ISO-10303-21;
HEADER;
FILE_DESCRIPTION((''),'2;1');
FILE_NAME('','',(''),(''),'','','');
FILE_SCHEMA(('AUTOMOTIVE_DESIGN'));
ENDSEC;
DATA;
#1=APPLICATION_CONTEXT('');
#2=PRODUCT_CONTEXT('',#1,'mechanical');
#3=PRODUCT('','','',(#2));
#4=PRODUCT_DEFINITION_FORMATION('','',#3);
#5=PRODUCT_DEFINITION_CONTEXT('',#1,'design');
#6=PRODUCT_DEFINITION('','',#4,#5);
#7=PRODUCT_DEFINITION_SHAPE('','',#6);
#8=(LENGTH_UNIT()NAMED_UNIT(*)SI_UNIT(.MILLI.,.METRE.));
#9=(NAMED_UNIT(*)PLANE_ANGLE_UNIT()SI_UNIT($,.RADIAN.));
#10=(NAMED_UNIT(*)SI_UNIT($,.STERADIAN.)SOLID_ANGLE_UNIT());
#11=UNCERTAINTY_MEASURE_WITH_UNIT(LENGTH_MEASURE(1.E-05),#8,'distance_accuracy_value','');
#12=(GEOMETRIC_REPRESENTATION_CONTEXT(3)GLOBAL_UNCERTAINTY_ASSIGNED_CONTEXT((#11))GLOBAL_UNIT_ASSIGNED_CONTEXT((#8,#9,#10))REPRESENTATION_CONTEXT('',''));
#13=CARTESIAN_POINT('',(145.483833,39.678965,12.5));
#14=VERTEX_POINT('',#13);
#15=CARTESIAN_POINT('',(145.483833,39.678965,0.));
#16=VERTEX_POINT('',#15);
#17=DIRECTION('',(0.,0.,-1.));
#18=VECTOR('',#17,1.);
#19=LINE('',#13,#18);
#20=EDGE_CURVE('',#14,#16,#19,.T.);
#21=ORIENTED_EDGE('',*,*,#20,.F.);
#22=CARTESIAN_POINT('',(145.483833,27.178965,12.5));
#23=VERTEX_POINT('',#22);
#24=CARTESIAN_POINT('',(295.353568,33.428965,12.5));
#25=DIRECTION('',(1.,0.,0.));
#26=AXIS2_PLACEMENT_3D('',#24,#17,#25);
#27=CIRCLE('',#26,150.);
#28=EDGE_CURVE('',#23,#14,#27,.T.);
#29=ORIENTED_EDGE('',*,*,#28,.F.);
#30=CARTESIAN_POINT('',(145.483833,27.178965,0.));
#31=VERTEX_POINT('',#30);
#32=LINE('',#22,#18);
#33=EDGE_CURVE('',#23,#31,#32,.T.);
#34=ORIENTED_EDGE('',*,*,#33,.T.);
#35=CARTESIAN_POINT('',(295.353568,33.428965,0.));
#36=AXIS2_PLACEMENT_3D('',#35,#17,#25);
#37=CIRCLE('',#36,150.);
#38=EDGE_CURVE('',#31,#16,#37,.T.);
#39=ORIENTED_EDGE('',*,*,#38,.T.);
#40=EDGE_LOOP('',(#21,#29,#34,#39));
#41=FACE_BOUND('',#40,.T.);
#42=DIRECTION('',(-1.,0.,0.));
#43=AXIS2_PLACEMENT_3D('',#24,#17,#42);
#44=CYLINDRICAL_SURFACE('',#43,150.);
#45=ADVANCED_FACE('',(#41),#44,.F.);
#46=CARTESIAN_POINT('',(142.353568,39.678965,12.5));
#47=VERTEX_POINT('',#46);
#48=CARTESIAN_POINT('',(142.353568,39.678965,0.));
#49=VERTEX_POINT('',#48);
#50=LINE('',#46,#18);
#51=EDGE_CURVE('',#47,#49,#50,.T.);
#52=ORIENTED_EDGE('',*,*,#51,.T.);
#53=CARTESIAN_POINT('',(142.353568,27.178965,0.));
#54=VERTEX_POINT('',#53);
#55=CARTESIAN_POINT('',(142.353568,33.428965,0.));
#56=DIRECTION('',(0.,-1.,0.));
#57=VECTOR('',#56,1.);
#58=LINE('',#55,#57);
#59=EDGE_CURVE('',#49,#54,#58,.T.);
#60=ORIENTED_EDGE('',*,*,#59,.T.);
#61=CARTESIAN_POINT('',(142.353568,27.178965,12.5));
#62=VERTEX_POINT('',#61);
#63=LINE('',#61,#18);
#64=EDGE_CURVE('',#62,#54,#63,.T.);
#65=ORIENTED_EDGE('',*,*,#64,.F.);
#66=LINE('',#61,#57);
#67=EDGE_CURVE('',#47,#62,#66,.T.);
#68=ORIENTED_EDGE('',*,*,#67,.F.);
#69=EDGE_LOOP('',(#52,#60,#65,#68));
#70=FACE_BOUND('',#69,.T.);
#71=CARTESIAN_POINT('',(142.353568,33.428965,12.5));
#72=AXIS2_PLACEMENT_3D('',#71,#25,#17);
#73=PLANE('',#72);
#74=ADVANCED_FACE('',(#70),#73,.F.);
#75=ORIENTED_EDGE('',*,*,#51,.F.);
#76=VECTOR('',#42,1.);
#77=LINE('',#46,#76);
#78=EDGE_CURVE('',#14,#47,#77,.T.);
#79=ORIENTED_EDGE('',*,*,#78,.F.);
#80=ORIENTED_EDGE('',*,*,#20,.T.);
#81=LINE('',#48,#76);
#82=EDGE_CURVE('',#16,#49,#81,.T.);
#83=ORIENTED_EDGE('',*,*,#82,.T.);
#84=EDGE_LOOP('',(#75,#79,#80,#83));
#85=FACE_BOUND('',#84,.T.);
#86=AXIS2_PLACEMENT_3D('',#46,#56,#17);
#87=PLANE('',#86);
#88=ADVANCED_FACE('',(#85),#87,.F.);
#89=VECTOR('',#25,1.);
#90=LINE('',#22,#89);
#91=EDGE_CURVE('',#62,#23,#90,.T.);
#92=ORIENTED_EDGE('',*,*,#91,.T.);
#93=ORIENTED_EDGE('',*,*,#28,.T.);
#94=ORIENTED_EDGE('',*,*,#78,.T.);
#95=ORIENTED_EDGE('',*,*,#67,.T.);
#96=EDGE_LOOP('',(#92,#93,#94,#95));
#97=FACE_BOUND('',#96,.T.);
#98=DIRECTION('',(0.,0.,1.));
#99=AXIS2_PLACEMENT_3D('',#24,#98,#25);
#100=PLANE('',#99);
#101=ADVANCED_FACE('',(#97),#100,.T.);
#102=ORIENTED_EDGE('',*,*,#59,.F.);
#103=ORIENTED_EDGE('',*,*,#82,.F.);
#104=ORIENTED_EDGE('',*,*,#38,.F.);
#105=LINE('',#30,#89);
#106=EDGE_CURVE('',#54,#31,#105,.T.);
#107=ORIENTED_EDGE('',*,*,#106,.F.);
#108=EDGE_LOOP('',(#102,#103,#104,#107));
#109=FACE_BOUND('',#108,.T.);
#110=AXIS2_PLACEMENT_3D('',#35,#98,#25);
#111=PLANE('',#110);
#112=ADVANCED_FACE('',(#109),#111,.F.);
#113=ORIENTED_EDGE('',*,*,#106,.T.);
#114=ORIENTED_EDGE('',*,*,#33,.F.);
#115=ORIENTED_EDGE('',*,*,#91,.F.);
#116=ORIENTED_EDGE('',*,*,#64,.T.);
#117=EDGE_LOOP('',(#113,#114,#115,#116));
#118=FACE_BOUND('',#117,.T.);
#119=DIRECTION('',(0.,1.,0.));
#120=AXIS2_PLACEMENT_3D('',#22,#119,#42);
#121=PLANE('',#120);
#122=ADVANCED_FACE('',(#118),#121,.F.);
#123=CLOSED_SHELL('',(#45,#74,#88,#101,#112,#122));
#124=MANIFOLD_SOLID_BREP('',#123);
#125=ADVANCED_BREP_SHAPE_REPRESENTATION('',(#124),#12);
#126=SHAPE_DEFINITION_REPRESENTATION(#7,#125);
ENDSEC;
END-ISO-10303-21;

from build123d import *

# Parameters (mm, degrees)
EXTRUDE_1_DEPTH = 12.5


with BuildPart() as part:
    # 草图1 → 凸台-拉伸1 (new body)
    with BuildSketch(Plane.XY):
        with BuildLine():
            Line((142.353567816, 33.428964634), (142.353567816, 39.678964634))
            Line((142.353567816, 39.678964634), (145.483832712, 39.678964634))
            ThreePointArc((145.483832712, 39.678964634), (145.353567816, 33.428964634), (145.483832712, 27.178964634))
            Line((145.483832712, 27.178964634), (142.353567816, 27.178964634))
            Line((142.353567816, 27.178964634), (142.353567816, 33.428964634))
        make_face()
    extrude(amount=EXTRUDE_1_DEPTH)


solid = part.part
